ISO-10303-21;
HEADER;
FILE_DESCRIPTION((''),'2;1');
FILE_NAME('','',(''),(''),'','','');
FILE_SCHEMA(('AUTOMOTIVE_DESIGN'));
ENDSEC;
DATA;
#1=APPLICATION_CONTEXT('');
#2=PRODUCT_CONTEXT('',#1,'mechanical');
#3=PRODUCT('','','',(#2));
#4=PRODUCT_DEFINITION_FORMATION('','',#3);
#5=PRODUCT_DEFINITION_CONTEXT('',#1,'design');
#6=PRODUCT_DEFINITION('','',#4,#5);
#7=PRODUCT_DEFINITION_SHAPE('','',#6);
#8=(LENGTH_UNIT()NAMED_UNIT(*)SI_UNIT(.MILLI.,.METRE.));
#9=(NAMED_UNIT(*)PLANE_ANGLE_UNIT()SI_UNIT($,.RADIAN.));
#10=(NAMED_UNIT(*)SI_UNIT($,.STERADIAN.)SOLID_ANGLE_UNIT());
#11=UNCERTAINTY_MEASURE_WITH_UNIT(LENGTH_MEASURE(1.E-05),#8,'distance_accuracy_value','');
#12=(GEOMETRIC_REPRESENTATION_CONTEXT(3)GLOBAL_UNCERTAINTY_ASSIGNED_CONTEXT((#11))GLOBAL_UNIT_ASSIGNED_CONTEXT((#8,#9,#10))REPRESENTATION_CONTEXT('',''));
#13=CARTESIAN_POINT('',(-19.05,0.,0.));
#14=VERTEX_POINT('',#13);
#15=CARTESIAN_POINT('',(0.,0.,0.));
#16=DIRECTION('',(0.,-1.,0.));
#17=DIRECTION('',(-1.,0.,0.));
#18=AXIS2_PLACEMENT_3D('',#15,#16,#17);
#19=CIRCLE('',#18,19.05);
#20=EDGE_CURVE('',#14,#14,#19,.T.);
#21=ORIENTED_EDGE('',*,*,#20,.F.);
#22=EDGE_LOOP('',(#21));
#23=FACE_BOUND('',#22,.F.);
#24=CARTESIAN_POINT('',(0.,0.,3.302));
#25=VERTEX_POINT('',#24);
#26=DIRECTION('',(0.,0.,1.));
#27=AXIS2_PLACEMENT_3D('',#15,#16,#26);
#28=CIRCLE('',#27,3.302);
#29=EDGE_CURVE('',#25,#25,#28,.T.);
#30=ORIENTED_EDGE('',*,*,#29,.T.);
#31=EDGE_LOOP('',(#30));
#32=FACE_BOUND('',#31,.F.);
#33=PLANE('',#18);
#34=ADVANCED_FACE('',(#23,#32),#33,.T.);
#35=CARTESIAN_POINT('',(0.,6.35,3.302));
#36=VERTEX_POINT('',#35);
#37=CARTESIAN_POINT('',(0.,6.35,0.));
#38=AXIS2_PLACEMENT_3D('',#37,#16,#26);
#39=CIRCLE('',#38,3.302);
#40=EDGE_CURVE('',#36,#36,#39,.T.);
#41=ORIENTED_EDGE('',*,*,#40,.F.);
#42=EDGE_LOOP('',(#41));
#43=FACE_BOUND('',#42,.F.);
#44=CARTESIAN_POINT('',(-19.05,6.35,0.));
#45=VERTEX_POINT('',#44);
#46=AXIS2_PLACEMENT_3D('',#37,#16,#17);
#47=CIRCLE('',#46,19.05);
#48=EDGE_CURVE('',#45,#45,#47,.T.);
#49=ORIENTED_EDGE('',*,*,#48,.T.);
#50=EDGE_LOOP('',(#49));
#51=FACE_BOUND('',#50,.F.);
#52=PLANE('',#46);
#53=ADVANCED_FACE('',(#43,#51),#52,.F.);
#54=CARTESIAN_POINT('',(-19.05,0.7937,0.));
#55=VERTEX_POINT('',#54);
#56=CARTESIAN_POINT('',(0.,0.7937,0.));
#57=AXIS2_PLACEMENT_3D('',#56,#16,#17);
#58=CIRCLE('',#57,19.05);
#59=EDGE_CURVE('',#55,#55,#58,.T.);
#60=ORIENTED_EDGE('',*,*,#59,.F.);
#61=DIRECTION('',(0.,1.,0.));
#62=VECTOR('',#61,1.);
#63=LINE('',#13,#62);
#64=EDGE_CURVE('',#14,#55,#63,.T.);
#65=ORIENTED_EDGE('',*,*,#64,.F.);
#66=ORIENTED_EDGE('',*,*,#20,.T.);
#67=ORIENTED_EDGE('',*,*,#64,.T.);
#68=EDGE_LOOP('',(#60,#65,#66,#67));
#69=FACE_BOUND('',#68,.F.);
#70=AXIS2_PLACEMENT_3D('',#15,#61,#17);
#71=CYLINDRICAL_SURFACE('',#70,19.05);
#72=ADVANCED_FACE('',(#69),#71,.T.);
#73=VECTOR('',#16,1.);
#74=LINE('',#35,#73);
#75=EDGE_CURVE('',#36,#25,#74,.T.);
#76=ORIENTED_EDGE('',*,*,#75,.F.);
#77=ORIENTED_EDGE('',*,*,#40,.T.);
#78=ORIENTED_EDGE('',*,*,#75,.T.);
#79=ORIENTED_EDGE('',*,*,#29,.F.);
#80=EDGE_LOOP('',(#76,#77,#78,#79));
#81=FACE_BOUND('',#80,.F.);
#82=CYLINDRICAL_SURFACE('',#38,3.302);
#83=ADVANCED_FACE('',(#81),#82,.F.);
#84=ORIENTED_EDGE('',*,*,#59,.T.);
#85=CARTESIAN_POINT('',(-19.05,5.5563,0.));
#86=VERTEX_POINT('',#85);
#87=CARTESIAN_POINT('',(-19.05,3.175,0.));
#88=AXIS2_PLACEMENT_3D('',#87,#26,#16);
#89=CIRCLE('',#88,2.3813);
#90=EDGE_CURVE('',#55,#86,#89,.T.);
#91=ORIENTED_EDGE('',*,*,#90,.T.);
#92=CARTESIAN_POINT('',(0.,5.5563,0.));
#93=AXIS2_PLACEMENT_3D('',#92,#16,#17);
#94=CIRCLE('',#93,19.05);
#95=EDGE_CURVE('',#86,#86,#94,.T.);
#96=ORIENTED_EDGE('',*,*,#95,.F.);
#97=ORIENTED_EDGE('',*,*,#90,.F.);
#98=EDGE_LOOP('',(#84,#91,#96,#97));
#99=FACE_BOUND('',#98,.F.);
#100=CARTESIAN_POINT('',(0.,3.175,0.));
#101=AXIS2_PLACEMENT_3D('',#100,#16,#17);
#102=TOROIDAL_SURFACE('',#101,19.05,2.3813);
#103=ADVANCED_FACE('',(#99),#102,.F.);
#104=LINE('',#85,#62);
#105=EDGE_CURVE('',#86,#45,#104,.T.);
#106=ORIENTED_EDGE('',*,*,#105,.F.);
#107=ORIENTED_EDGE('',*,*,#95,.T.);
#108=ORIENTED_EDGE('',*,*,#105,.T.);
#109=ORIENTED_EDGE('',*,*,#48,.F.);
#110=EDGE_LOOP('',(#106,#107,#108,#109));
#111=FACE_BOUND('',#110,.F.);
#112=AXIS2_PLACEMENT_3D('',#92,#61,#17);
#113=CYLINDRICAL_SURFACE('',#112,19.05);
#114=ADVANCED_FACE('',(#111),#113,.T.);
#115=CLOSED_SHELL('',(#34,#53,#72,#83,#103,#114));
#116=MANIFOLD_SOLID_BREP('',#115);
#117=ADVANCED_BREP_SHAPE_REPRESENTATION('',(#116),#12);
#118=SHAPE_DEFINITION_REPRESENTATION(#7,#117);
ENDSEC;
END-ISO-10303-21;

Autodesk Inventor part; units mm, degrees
ref_plane "YZ Plane" through (0, 0, 0) normal (1, 0, 0) x (0, 1, 0)
ref_plane "XZ Plane" through (0, 0, 0) normal (0, 1, 0) x (-1, 0, 0)
ref_plane "XY Plane" through (0, 0, 0) normal (0, 0, 1) x (1, 0, 0)
sketch "Sketch1" plane through (0, 0, 0) normal (0, 0, 1) x (1, 0, 0)
  line L0 (0, 0) -> (-19.05, 0)
  line L1 (-19.05, 6.35) -> (0, 6.35)
  line L2 (0, 6.35) -> (0, 0)
  line L3 (-19.05, 0) -> (-19.05, 0.7937)
  line L4 (-19.05, 5.5563) -> (-19.05, 6.35)
  line L5 (-19.05, 5.5563) -> (-17.1348, 5.5563)
  arc A0 (-19.05, 0.7937) -> (-19.05, 5.5563) centre (-19.05, 3.175) ccw
  dimension "d0" = 19.05
  dimension "d1" = 6.35
  dimension "d4" = 2.3813
revolve "Revolution1" add sketch "Sketch1" angle 360 about axis through (0, 6.35, 0) along (0, -1, 0)
sketch "Sketch2" plane through (0, 6.35, 0) normal (0, 1, 0) x (1, 0, 0)
  point P0 (0, 0)
  point P1 (0, 0)
hole "Hole1" at (0, 6.35, 0) direction (0, -1, 0) diameter 6.604 end through all
properties part number "wheel"
